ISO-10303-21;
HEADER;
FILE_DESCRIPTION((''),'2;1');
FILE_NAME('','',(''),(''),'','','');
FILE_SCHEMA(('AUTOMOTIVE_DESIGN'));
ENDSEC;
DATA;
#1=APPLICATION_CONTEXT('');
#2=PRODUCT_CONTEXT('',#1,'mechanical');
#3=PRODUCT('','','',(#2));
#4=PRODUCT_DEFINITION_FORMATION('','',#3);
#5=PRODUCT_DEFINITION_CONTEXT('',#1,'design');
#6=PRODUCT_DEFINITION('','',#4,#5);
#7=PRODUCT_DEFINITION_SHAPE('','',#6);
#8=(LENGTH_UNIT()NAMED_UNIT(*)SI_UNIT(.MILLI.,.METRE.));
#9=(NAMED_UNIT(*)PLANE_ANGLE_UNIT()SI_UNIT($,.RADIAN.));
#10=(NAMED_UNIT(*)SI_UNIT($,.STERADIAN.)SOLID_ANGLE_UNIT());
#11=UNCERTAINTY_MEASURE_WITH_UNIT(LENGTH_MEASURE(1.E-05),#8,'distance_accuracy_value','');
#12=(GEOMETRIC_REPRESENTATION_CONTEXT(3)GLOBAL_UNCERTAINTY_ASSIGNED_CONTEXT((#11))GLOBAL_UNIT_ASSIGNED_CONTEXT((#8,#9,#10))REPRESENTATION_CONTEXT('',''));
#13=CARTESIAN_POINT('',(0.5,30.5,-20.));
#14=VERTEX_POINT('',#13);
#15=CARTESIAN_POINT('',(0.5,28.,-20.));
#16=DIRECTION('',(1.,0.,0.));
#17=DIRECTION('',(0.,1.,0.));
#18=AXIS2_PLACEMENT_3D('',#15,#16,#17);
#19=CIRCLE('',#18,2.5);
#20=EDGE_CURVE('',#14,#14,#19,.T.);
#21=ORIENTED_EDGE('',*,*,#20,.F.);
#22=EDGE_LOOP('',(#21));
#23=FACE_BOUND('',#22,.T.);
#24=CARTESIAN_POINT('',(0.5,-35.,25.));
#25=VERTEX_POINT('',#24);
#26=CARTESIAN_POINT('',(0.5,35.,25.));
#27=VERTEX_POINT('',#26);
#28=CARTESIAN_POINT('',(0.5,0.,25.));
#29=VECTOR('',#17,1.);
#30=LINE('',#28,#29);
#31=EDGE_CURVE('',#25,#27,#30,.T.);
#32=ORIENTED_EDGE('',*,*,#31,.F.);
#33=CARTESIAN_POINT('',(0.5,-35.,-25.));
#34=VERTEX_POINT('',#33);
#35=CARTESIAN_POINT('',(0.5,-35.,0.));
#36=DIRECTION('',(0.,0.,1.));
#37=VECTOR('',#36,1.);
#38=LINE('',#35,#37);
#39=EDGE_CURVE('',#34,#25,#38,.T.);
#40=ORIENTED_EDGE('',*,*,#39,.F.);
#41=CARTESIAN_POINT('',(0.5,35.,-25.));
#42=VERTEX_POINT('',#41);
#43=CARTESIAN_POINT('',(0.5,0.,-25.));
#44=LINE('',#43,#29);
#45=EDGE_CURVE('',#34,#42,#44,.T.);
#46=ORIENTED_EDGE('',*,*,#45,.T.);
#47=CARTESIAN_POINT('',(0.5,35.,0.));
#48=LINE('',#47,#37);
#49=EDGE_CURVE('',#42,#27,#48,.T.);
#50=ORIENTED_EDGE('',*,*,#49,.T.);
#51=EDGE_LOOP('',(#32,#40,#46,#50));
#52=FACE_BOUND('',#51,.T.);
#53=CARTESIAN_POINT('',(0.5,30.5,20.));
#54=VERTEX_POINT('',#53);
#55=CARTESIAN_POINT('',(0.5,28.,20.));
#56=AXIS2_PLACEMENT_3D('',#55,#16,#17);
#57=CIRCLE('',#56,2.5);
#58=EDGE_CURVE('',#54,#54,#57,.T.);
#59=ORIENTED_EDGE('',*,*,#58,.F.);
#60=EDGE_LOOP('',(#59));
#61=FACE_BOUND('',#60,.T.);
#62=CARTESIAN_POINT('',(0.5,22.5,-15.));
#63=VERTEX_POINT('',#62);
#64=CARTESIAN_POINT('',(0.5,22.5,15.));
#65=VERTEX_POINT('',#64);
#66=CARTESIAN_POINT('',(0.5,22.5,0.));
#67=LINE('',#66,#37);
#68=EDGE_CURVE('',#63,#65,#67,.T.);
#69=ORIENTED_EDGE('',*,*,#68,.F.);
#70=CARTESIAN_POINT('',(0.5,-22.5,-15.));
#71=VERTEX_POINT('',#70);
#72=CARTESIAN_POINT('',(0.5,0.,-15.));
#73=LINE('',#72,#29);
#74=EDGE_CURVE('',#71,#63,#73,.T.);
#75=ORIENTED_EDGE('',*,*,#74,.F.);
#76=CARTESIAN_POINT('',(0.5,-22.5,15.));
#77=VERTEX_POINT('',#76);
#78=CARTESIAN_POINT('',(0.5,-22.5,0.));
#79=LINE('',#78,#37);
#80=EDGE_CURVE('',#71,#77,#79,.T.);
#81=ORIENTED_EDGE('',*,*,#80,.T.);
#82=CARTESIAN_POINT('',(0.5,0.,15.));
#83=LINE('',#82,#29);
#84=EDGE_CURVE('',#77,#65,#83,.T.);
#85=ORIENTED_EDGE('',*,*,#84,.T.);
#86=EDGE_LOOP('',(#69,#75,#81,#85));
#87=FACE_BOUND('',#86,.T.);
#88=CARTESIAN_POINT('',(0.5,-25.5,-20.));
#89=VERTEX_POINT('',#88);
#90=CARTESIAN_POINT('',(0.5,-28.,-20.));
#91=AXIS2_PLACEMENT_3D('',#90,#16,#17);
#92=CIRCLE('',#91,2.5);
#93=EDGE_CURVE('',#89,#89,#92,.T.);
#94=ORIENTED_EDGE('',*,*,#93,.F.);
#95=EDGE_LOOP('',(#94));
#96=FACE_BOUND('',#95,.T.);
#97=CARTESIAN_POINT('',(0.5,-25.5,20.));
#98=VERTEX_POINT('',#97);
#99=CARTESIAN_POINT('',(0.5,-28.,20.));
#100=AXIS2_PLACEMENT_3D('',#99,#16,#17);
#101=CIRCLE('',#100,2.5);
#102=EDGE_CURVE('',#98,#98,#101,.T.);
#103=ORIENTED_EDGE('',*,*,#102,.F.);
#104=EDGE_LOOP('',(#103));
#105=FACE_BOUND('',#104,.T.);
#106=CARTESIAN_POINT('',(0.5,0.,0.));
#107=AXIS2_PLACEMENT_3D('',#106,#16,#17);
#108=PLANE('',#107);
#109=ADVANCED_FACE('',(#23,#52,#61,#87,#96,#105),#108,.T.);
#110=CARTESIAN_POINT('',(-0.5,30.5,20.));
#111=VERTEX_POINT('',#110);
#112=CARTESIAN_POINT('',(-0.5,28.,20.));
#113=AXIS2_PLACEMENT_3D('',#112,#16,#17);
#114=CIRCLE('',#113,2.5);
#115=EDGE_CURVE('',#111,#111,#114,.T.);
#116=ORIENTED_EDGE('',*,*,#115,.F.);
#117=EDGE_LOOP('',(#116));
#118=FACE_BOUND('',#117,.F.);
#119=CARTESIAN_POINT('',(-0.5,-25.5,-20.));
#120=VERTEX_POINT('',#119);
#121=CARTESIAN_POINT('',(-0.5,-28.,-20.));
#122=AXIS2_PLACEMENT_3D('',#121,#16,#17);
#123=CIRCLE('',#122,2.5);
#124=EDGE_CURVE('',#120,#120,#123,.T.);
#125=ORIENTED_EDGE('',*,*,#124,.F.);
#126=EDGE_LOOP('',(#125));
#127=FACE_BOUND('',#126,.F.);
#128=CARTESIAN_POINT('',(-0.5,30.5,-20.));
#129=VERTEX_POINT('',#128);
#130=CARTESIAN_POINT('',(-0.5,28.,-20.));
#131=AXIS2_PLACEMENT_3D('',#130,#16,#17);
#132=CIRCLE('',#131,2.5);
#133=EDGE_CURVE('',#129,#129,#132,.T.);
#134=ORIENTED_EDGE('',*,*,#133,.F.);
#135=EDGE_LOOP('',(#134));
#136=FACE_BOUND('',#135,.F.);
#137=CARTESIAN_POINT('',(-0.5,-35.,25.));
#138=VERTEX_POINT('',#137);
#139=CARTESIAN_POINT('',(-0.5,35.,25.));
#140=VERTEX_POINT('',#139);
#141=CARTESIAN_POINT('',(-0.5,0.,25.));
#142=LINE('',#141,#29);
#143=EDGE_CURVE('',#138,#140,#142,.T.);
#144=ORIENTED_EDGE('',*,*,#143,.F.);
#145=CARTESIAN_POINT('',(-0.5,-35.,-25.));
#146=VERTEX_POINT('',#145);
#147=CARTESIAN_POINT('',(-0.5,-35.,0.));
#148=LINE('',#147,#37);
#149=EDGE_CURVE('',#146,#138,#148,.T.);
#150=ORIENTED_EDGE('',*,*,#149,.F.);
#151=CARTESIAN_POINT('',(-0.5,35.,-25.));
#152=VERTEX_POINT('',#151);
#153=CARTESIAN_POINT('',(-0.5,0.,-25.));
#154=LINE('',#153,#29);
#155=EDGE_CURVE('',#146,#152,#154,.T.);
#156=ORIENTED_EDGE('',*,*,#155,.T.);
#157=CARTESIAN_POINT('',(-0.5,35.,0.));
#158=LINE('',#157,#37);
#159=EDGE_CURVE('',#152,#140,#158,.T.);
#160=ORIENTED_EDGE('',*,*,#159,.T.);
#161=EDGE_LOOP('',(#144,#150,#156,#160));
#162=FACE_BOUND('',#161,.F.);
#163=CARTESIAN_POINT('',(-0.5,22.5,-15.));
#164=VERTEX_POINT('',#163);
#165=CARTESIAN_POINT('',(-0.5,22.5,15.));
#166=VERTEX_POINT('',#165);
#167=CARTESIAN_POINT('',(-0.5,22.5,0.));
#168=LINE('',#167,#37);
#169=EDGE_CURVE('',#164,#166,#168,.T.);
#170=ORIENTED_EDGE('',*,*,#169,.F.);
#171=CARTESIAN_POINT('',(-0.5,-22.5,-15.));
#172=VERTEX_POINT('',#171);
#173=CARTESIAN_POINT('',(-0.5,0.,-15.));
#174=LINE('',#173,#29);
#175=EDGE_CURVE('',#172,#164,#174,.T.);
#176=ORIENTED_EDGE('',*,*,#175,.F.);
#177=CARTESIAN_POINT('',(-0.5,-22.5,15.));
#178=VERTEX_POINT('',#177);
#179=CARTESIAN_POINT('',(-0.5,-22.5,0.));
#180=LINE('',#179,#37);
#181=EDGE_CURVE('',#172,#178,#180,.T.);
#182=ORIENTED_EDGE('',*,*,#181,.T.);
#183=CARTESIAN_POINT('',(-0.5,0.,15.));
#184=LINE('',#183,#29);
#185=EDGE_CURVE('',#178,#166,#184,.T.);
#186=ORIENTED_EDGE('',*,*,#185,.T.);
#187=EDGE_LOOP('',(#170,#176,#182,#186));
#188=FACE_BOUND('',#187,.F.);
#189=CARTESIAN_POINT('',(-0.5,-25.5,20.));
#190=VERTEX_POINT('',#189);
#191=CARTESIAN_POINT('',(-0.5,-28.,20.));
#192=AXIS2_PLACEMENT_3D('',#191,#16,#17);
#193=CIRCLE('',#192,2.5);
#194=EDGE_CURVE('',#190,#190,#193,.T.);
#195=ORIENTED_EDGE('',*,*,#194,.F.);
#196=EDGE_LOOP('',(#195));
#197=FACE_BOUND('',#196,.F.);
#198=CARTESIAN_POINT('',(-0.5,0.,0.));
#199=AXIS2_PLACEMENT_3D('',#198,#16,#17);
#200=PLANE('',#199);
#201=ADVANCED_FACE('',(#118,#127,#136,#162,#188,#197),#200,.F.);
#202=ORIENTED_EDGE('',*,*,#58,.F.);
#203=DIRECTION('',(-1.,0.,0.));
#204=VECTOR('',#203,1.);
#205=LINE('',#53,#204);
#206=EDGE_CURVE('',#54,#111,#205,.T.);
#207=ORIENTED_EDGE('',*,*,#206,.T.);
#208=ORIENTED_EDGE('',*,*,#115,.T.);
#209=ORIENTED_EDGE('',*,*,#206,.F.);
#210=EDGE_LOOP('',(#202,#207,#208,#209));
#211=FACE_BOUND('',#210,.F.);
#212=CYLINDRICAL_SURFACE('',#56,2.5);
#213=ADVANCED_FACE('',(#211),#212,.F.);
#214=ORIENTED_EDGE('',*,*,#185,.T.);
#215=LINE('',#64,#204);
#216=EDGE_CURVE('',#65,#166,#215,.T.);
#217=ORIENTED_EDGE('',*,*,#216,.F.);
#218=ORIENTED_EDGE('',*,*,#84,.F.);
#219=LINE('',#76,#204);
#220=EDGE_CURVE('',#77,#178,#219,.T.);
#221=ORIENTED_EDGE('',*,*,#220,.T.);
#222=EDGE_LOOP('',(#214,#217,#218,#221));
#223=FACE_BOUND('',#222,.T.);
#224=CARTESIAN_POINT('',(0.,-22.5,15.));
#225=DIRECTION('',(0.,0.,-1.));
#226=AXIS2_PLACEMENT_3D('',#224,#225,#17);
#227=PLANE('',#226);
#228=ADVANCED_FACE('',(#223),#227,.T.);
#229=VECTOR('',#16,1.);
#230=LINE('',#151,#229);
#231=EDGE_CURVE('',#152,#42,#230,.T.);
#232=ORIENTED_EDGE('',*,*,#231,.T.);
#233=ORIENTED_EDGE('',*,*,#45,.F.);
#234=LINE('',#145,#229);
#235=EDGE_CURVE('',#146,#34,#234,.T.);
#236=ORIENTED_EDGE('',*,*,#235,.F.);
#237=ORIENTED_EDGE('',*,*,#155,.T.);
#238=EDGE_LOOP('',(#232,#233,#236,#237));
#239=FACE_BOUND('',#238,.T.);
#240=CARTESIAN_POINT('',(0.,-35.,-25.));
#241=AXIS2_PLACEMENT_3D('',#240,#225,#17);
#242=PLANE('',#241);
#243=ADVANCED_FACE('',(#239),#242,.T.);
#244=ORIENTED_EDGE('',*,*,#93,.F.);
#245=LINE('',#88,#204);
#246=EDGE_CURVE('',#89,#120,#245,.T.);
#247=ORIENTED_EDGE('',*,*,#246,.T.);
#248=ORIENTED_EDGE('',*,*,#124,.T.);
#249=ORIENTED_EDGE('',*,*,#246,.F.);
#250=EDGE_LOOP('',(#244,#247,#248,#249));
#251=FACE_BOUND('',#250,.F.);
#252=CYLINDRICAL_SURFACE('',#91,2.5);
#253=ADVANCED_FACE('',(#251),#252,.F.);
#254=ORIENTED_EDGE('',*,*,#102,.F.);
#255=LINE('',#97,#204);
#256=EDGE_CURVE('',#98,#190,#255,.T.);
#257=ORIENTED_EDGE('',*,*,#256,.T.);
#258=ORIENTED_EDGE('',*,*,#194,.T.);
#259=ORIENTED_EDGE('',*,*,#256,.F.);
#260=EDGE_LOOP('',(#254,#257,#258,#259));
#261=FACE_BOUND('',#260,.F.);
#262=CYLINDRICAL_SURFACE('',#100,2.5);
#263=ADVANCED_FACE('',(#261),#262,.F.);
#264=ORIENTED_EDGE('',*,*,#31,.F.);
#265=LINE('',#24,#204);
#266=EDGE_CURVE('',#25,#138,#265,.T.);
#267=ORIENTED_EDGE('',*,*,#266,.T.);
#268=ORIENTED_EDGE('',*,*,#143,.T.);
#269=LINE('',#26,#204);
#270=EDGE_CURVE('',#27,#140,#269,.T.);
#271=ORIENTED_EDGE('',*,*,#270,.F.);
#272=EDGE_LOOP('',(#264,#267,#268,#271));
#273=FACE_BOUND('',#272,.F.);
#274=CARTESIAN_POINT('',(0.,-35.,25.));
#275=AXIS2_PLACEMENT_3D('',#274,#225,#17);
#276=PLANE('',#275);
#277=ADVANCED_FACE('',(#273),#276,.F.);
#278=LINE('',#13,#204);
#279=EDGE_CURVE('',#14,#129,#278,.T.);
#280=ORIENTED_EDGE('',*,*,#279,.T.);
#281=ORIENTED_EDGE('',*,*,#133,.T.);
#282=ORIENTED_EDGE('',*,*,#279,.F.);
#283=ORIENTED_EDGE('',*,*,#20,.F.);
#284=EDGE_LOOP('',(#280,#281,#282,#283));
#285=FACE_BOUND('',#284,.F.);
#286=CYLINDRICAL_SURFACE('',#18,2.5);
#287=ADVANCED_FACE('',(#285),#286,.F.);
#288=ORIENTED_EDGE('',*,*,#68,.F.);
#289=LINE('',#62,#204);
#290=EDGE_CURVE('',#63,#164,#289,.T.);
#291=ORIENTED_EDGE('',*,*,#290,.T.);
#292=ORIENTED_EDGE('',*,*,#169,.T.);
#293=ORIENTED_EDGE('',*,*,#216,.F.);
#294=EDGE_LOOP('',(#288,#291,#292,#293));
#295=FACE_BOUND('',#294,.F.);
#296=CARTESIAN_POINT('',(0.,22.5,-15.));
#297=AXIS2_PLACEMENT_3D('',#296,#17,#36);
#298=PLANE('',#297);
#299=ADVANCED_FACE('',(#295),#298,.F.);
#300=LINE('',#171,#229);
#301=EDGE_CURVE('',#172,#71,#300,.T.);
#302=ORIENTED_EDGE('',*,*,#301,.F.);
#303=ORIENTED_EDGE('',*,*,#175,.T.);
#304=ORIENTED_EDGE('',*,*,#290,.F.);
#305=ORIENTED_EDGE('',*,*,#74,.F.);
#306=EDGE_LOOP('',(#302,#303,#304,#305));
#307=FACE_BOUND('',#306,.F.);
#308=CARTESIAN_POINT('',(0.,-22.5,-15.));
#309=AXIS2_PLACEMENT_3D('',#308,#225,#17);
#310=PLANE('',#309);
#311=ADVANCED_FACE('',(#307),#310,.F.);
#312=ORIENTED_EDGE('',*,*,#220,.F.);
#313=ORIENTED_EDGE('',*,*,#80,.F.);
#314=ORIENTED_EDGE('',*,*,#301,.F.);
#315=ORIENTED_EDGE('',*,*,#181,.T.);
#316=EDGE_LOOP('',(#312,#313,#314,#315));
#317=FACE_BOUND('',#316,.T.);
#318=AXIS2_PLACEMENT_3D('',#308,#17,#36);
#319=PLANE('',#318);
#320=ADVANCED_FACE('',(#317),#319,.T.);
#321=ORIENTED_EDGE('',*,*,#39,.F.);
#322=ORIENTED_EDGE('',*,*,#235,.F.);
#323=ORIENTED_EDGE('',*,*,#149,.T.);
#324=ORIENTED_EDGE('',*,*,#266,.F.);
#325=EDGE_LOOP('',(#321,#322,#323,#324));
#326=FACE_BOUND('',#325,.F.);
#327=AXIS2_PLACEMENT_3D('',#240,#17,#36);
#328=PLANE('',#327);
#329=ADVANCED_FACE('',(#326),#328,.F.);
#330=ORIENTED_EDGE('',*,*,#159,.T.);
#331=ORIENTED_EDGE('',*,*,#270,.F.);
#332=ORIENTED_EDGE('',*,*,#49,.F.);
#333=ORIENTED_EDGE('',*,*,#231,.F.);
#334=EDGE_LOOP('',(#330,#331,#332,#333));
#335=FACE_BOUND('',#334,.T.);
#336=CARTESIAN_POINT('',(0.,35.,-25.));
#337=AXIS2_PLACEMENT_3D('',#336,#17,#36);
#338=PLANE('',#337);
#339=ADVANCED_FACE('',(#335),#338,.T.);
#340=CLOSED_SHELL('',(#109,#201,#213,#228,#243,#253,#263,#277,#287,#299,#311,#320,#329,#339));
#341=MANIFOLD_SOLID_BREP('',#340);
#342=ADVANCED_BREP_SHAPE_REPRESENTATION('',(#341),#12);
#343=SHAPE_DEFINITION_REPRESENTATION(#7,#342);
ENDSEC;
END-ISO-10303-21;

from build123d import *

# Parameters (mm, degrees)
F0_W          = 70
F0_H          = 50
F0_W_2        = 45
F0_H_2        = 30
F1_DEPTH      = 0.5
F1_DEPTH_BACK = 0.5
F2_R          = 2.5
F3_DEPTH      = 2


with BuildPart() as f1:
    # F0 (on Right) → F1 (new body, two sides)
    with BuildSketch(Plane.YZ) as f1_sk:
        Rectangle(F0_W, F0_H)
        Rectangle(F0_W_2, F0_H_2, mode=Mode.SUBTRACT)
    extrude(amount=F1_DEPTH)
    extrude(f1_sk.sketch, amount=-F1_DEPTH_BACK)

    # F2 (on face) → F3 (cut)
    with BuildSketch(Plane.YZ.offset(0.5)):
        with Locations((-28, 20)):
            Circle(F2_R)
        with Locations((28, 20)):
            Circle(F2_R)
        with Locations((-28, -20)):
            Circle(F2_R)
        with Locations((28, -20)):
            Circle(F2_R)
    extrude(amount=-F3_DEPTH, mode=Mode.SUBTRACT)


solid = f1.part
